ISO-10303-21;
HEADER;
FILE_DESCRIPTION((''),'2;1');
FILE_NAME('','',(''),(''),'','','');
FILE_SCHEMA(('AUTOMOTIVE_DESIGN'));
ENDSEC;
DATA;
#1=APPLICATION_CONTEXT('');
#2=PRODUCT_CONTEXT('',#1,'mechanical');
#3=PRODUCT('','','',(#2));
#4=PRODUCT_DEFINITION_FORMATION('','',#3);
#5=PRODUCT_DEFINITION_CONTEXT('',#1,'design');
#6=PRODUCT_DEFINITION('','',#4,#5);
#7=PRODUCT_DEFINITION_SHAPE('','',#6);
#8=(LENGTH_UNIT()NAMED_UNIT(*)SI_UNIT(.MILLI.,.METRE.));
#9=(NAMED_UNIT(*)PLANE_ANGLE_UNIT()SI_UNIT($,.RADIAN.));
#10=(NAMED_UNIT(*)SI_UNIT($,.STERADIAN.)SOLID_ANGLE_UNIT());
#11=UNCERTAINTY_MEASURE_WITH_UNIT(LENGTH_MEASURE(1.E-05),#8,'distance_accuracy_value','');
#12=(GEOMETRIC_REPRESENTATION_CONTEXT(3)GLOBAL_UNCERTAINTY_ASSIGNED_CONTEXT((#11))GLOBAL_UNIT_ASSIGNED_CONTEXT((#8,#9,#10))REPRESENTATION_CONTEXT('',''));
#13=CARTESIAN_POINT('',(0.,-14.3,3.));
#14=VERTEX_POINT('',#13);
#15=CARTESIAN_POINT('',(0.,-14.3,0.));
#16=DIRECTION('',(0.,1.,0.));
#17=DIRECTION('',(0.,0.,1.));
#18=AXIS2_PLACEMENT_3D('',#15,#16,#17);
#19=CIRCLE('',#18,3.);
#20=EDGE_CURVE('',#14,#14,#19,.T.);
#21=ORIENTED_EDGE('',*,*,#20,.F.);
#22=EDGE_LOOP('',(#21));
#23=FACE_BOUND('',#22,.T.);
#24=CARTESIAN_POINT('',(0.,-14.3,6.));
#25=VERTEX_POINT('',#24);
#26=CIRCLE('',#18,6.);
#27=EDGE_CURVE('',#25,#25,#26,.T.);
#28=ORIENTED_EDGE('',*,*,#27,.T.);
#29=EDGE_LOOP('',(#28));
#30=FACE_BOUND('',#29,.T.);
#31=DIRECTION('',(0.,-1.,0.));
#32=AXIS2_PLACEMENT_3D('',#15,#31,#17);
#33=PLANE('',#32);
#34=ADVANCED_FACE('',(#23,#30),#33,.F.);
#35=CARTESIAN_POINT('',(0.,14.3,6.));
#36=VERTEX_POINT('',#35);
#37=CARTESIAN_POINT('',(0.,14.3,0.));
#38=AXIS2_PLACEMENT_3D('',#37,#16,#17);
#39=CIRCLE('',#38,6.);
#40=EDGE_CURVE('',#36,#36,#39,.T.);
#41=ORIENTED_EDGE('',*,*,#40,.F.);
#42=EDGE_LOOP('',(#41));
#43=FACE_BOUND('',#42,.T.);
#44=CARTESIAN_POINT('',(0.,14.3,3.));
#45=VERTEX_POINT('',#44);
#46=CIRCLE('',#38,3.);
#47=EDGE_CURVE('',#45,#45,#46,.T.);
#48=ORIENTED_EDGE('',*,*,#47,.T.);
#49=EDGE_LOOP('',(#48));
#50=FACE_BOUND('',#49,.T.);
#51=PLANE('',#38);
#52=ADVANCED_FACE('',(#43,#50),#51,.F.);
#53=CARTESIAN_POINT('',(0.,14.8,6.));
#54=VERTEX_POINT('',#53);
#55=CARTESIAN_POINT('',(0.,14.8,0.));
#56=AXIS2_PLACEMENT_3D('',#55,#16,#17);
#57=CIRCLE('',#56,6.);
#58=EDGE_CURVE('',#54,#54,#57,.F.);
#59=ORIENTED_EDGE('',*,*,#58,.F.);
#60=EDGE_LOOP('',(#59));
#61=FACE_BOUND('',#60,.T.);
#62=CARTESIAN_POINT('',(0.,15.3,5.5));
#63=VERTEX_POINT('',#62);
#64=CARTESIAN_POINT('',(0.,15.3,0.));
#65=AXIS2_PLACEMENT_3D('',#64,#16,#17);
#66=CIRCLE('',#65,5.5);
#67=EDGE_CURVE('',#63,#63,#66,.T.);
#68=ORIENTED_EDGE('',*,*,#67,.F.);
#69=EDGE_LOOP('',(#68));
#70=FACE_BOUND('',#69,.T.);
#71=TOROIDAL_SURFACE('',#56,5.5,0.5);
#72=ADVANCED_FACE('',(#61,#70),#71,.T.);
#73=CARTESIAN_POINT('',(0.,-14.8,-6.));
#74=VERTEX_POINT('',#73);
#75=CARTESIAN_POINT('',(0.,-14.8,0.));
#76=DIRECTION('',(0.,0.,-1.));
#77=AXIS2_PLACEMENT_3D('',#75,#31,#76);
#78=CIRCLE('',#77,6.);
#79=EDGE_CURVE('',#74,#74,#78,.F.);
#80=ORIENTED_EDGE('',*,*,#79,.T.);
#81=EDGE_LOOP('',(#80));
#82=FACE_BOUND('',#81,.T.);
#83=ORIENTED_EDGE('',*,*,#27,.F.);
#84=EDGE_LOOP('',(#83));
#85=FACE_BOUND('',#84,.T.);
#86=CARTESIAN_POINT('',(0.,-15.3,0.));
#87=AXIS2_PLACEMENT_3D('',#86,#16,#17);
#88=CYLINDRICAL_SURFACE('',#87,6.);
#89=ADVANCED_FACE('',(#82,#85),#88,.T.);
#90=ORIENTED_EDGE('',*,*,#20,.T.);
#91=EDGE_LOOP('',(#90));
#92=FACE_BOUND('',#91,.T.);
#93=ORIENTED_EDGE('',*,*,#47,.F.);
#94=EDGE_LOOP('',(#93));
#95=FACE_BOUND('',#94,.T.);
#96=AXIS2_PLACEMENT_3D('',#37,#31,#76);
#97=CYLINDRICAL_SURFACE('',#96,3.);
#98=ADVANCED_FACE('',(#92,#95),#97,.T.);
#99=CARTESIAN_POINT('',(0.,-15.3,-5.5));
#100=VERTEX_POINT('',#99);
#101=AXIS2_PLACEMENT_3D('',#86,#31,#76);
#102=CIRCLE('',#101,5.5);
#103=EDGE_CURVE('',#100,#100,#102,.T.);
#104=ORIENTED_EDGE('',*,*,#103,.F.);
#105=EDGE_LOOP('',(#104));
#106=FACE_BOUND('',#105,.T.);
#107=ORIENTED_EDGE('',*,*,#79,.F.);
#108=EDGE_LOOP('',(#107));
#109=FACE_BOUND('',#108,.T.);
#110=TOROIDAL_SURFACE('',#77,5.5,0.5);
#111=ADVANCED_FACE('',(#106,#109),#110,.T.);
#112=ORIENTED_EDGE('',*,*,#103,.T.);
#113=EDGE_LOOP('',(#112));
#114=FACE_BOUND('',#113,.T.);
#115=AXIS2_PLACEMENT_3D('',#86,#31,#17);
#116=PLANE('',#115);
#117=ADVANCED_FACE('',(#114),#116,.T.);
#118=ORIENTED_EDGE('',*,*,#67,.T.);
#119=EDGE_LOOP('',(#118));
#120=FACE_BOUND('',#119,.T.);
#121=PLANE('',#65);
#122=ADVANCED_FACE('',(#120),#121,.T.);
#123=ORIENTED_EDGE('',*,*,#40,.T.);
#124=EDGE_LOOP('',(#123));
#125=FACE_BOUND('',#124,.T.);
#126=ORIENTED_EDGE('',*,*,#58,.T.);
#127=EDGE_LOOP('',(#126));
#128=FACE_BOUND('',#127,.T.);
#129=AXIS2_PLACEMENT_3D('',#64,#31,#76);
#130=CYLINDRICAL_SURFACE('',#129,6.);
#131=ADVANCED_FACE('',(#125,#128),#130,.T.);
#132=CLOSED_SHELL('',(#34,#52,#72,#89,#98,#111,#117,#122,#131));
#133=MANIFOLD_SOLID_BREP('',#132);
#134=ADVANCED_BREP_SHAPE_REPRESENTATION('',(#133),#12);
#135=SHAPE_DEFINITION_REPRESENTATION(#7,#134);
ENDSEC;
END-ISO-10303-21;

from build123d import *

# Parameters (mm, degrees)
SKETCH_1_R             = 3
EXTRUDE_1_DEPTH        = 14.3
SKETCH_2_R             = 6
EXTRUDE_2_DEPTH        = 1
FILLET_1_R             = 0.5
FILLET_1_OF_MIRROR_1_R = 0.5


with BuildPart() as part:
    # 草图1 → 凸台-拉伸1 (new body, symmetric)
    with BuildSketch(Plane(origin=(0, 0, 0), x_dir=(1, 0, 0), z_dir=(0, 1, 0))):
        Circle(SKETCH_1_R)
    extrude(amount=EXTRUDE_1_DEPTH, both=True)

    # 草图2 → 凸台-拉伸2 (add)
    with BuildSketch(Plane(origin=(0, 14.3, 0), x_dir=(1, 0, 0), z_dir=(0, 1, 0))):
        Circle(SKETCH_2_R)
    extrude_2 = extrude(amount=EXTRUDE_2_DEPTH)

    # 圆角1
    fillet_1_edges = [part.edges().sort_by_distance(p)[0] for p in [
        (-6, 15.3, 0),
    ]]
    fillet(fillet_1_edges, radius=FILLET_1_R)

    # 镜向1: 凸台-拉伸2 across plane
    add(extrude_2.mirror(Plane.ZX))

    # 圆角1 of 镜向1
    fillet_1_of_mirror_1_edges = [part.edges().sort_by_distance(p)[0] for p in [
        (-6, -15.3, 0),
    ]]
    fillet(fillet_1_of_mirror_1_edges, radius=FILLET_1_OF_MIRROR_1_R)


solid = part.part
